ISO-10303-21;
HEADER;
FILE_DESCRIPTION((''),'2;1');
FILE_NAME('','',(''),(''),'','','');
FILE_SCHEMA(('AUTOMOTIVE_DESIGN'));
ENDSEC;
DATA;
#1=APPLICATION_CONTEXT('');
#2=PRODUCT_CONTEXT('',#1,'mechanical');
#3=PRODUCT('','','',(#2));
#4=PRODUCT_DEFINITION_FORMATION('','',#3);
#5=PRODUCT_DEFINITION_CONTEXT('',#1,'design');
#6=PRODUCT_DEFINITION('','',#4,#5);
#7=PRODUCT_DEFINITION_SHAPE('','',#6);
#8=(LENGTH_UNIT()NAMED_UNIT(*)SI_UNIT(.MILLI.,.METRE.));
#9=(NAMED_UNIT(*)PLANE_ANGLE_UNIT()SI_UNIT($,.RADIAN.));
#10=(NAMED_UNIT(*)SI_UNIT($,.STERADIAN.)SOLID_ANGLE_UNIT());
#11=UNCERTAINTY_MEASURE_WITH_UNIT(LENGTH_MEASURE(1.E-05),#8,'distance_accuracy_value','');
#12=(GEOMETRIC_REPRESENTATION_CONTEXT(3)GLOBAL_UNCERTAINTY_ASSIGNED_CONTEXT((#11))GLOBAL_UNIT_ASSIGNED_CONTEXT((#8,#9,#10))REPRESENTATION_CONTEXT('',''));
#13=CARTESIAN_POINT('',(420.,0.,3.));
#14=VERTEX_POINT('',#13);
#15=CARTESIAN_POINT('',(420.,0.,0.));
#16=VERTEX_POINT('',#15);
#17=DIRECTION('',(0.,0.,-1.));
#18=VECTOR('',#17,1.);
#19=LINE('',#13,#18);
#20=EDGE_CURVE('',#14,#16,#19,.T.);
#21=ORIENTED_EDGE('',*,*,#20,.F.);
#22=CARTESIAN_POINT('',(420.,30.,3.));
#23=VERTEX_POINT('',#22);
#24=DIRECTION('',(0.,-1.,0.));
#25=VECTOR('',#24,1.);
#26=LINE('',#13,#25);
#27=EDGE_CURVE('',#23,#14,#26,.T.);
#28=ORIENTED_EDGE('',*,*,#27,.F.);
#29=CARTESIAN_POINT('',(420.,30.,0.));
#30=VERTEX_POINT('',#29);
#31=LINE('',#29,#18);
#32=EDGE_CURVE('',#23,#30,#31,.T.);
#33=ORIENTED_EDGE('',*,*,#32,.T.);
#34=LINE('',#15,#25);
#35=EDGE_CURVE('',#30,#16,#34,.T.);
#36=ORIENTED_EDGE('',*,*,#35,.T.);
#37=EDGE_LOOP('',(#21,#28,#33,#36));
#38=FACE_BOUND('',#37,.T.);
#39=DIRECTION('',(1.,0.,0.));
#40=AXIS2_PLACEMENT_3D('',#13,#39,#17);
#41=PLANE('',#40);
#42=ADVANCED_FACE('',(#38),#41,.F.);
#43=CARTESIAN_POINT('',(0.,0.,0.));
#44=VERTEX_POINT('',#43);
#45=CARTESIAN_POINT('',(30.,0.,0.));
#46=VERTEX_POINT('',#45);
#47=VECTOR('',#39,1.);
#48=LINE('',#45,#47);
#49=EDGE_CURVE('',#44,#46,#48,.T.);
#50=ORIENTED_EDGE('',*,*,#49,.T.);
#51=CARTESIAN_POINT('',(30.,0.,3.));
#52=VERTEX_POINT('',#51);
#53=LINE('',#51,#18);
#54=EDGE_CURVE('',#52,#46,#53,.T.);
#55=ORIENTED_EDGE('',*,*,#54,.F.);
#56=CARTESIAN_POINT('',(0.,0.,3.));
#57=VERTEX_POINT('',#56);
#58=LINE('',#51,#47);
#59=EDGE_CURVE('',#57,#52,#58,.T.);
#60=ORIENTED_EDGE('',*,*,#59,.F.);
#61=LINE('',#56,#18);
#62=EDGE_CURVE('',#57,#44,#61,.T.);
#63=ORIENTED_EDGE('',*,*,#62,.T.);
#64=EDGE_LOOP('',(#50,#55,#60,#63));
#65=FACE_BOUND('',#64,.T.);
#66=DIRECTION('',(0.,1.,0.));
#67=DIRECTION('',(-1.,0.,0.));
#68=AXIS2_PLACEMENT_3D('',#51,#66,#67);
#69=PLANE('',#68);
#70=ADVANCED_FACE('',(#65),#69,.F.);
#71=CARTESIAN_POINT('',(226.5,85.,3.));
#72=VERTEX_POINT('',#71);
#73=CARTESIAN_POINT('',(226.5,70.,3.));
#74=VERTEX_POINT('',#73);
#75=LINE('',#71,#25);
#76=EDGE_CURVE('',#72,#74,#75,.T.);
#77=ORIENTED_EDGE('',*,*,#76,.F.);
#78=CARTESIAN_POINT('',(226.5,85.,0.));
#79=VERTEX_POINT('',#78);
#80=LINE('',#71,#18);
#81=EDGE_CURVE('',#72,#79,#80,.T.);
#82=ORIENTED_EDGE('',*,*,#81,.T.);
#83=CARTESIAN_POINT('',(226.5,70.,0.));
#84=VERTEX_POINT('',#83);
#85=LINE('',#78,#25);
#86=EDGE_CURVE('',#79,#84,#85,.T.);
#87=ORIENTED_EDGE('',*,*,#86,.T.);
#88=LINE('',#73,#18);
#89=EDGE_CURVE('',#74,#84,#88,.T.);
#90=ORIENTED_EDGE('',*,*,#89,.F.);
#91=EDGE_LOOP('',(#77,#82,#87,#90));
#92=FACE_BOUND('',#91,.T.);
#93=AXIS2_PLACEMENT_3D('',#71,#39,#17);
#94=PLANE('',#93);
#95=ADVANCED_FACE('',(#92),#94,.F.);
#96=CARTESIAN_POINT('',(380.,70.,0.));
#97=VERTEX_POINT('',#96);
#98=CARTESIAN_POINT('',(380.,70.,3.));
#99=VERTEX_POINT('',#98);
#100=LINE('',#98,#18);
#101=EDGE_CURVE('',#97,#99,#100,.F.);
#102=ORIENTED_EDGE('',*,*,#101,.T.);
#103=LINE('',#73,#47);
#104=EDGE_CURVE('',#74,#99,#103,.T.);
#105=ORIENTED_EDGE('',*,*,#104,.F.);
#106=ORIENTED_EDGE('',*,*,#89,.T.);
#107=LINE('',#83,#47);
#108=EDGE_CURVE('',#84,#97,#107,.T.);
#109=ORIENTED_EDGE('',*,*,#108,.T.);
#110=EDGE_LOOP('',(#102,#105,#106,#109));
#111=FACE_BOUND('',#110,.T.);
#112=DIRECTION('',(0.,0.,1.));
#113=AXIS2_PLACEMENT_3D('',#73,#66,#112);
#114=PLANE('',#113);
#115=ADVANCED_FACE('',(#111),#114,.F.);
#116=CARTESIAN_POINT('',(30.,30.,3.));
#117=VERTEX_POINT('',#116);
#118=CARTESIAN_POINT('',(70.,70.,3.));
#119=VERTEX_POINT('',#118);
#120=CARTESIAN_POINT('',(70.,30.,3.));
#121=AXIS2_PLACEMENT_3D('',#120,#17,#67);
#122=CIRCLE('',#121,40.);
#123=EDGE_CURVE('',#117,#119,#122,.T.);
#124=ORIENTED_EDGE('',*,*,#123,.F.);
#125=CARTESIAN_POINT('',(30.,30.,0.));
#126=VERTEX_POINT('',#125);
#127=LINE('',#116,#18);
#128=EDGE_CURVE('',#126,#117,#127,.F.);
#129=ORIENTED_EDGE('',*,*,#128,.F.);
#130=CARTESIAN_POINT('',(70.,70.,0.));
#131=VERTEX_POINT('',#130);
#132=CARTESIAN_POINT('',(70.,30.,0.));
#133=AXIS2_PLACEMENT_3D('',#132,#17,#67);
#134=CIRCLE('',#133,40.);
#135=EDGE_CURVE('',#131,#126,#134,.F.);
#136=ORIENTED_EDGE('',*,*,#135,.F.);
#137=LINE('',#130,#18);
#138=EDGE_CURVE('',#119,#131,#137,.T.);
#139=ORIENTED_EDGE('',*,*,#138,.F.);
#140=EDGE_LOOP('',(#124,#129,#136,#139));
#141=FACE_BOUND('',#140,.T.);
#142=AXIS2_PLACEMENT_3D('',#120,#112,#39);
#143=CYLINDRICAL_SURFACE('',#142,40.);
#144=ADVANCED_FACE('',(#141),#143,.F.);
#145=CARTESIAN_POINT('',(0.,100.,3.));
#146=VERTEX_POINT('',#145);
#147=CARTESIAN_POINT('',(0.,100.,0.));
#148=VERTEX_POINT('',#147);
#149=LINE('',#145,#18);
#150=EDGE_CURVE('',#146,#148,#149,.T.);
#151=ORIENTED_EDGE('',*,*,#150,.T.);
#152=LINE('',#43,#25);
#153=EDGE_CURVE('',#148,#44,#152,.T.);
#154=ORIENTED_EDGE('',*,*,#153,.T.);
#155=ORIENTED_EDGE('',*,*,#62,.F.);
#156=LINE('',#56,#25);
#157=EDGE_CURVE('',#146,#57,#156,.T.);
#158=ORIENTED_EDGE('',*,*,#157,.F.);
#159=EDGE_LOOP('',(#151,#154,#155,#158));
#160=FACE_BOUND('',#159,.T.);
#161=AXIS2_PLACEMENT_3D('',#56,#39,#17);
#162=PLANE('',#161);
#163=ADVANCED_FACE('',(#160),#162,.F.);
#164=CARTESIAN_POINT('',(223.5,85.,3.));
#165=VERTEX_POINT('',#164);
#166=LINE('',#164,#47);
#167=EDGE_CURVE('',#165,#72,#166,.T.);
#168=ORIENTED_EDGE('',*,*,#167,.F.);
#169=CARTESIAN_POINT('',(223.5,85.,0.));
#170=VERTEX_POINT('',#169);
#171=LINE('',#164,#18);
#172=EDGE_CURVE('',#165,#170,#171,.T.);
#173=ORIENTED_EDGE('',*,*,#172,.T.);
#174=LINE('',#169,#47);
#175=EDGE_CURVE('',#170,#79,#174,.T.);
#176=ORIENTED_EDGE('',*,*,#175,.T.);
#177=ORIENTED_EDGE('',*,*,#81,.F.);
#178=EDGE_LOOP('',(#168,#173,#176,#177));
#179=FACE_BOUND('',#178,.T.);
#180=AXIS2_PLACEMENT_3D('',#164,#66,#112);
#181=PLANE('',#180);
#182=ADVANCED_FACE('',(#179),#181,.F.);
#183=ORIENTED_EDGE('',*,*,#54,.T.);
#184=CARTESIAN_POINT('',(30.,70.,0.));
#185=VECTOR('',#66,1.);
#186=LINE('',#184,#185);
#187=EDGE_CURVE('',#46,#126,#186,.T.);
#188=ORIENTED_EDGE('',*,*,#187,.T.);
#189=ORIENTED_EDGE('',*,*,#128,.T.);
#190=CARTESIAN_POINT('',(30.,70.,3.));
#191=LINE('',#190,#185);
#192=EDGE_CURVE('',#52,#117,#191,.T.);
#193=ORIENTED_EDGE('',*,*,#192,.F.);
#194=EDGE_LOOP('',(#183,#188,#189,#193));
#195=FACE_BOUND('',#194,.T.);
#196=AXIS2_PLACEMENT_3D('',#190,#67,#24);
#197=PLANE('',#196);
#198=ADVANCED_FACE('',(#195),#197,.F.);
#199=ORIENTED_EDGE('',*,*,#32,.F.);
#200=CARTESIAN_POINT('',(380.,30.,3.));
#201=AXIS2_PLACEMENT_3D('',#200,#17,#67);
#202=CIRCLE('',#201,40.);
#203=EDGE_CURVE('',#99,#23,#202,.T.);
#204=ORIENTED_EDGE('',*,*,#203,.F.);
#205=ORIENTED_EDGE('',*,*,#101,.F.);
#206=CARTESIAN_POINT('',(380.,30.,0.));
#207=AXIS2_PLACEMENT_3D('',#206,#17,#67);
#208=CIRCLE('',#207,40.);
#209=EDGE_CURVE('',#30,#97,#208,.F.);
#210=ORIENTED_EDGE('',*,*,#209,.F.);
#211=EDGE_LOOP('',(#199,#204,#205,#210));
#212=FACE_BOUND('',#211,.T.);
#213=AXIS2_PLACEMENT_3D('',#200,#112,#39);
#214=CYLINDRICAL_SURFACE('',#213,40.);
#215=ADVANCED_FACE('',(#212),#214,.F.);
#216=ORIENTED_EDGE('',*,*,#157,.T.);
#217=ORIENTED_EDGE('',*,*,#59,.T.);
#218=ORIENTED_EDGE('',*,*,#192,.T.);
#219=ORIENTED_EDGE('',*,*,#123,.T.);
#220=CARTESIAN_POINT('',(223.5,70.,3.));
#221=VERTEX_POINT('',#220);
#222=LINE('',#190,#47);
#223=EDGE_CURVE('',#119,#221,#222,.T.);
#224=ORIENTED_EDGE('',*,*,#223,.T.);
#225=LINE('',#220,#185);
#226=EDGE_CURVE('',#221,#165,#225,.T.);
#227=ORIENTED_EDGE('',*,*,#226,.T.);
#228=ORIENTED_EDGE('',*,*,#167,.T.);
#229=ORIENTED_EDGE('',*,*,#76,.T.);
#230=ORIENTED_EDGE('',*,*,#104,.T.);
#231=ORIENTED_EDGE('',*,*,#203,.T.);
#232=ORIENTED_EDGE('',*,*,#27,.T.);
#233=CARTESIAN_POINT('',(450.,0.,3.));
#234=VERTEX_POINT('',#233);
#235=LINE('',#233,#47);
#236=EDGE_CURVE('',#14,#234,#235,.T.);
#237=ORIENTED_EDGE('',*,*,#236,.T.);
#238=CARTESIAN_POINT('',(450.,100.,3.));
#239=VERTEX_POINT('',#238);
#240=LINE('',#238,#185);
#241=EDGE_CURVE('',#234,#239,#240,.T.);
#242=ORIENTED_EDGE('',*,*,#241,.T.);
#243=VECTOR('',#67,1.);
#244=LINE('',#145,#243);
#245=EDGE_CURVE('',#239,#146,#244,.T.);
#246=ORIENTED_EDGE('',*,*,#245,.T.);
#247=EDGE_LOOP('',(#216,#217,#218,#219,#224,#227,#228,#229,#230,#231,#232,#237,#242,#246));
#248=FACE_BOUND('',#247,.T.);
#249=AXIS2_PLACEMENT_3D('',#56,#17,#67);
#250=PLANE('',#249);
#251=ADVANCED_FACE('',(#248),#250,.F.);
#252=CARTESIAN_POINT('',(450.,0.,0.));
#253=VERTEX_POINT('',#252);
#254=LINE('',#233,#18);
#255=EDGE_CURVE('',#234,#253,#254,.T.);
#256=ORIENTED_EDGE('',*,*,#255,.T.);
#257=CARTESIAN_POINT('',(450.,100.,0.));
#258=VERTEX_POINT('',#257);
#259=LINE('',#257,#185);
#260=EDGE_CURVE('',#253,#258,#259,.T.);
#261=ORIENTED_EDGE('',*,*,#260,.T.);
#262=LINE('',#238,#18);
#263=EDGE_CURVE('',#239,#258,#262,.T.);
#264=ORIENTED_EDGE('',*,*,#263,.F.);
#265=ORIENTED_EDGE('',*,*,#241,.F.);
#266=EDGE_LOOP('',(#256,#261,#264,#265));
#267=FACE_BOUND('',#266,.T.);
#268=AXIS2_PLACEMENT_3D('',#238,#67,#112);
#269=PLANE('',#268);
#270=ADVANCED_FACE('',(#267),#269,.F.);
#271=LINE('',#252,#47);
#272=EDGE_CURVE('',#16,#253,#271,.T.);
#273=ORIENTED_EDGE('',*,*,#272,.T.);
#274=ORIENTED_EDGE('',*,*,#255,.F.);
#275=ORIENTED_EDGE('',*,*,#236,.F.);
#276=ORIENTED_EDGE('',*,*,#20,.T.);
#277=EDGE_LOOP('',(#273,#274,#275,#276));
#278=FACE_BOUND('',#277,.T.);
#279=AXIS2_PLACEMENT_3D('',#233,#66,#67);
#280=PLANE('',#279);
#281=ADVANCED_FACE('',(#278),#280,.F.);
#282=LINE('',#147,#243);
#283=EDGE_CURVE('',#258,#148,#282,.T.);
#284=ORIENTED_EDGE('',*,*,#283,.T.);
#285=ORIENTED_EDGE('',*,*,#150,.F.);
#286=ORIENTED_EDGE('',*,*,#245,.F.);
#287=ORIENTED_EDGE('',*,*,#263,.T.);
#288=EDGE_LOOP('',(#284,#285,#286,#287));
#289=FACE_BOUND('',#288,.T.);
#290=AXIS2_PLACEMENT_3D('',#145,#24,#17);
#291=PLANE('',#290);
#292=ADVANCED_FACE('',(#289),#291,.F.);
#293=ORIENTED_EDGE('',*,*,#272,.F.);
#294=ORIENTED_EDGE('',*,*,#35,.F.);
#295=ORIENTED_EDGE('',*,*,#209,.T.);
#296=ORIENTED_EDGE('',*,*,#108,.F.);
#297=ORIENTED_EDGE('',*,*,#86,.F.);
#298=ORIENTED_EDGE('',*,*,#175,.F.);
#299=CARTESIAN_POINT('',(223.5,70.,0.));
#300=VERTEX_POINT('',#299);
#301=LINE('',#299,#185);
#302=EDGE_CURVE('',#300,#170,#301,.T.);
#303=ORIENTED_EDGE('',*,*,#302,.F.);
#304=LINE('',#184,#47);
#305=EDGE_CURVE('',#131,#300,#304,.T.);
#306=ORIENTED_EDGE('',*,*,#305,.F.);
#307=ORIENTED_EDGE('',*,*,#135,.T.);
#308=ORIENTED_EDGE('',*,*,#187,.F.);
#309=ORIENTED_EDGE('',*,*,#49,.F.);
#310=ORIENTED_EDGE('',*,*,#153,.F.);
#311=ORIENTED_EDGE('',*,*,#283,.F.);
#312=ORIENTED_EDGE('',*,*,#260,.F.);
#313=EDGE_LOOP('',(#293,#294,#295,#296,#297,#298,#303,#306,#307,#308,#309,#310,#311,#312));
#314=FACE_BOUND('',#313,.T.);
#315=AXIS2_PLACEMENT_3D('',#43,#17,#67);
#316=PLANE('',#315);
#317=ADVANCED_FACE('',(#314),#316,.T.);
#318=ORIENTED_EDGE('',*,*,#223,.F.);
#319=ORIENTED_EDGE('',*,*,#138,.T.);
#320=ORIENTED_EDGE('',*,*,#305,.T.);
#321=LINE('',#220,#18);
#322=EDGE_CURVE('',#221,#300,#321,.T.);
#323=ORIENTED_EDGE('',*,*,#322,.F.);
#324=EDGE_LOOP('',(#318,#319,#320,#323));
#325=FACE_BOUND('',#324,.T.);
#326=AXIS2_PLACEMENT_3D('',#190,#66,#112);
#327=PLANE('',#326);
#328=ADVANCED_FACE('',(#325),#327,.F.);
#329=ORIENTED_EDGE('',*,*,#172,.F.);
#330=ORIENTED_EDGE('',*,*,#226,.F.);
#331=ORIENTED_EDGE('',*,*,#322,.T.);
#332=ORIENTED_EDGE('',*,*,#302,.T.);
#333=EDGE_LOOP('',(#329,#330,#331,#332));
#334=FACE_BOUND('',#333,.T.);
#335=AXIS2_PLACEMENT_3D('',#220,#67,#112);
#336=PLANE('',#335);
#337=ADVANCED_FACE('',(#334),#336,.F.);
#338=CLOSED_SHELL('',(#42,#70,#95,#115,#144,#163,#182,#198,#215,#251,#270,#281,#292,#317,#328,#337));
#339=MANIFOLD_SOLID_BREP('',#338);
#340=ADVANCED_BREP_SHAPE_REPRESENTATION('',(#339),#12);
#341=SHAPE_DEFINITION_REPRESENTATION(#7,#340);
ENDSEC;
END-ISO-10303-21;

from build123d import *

# Parameters (mm, degrees)
BOSS_EXTRUDE1_DEPTH = 3
FILLET1_R           = 40


with BuildPart() as part:
    # Sketch1 → Boss-Extrude1 (new body)
    with BuildSketch(Plane.XY):
        Polygon((0, 0), (0, 100), (450, 100), (450, 0), (420, 0), (420, 70), (226.5, 70), (226.5, 85), (223.5, 85), (223.5, 70), (30, 70), (30, 0), align=None)
    extrude(amount=BOSS_EXTRUDE1_DEPTH)

    # Fillet1
    fillet1_edges = [part.edges().sort_by_distance(p)[0] for p in [
        (420, 70, 1.5),
        (30, 70, 1.5),
    ]]
    fillet(fillet1_edges, radius=FILLET1_R)


solid = part.part
